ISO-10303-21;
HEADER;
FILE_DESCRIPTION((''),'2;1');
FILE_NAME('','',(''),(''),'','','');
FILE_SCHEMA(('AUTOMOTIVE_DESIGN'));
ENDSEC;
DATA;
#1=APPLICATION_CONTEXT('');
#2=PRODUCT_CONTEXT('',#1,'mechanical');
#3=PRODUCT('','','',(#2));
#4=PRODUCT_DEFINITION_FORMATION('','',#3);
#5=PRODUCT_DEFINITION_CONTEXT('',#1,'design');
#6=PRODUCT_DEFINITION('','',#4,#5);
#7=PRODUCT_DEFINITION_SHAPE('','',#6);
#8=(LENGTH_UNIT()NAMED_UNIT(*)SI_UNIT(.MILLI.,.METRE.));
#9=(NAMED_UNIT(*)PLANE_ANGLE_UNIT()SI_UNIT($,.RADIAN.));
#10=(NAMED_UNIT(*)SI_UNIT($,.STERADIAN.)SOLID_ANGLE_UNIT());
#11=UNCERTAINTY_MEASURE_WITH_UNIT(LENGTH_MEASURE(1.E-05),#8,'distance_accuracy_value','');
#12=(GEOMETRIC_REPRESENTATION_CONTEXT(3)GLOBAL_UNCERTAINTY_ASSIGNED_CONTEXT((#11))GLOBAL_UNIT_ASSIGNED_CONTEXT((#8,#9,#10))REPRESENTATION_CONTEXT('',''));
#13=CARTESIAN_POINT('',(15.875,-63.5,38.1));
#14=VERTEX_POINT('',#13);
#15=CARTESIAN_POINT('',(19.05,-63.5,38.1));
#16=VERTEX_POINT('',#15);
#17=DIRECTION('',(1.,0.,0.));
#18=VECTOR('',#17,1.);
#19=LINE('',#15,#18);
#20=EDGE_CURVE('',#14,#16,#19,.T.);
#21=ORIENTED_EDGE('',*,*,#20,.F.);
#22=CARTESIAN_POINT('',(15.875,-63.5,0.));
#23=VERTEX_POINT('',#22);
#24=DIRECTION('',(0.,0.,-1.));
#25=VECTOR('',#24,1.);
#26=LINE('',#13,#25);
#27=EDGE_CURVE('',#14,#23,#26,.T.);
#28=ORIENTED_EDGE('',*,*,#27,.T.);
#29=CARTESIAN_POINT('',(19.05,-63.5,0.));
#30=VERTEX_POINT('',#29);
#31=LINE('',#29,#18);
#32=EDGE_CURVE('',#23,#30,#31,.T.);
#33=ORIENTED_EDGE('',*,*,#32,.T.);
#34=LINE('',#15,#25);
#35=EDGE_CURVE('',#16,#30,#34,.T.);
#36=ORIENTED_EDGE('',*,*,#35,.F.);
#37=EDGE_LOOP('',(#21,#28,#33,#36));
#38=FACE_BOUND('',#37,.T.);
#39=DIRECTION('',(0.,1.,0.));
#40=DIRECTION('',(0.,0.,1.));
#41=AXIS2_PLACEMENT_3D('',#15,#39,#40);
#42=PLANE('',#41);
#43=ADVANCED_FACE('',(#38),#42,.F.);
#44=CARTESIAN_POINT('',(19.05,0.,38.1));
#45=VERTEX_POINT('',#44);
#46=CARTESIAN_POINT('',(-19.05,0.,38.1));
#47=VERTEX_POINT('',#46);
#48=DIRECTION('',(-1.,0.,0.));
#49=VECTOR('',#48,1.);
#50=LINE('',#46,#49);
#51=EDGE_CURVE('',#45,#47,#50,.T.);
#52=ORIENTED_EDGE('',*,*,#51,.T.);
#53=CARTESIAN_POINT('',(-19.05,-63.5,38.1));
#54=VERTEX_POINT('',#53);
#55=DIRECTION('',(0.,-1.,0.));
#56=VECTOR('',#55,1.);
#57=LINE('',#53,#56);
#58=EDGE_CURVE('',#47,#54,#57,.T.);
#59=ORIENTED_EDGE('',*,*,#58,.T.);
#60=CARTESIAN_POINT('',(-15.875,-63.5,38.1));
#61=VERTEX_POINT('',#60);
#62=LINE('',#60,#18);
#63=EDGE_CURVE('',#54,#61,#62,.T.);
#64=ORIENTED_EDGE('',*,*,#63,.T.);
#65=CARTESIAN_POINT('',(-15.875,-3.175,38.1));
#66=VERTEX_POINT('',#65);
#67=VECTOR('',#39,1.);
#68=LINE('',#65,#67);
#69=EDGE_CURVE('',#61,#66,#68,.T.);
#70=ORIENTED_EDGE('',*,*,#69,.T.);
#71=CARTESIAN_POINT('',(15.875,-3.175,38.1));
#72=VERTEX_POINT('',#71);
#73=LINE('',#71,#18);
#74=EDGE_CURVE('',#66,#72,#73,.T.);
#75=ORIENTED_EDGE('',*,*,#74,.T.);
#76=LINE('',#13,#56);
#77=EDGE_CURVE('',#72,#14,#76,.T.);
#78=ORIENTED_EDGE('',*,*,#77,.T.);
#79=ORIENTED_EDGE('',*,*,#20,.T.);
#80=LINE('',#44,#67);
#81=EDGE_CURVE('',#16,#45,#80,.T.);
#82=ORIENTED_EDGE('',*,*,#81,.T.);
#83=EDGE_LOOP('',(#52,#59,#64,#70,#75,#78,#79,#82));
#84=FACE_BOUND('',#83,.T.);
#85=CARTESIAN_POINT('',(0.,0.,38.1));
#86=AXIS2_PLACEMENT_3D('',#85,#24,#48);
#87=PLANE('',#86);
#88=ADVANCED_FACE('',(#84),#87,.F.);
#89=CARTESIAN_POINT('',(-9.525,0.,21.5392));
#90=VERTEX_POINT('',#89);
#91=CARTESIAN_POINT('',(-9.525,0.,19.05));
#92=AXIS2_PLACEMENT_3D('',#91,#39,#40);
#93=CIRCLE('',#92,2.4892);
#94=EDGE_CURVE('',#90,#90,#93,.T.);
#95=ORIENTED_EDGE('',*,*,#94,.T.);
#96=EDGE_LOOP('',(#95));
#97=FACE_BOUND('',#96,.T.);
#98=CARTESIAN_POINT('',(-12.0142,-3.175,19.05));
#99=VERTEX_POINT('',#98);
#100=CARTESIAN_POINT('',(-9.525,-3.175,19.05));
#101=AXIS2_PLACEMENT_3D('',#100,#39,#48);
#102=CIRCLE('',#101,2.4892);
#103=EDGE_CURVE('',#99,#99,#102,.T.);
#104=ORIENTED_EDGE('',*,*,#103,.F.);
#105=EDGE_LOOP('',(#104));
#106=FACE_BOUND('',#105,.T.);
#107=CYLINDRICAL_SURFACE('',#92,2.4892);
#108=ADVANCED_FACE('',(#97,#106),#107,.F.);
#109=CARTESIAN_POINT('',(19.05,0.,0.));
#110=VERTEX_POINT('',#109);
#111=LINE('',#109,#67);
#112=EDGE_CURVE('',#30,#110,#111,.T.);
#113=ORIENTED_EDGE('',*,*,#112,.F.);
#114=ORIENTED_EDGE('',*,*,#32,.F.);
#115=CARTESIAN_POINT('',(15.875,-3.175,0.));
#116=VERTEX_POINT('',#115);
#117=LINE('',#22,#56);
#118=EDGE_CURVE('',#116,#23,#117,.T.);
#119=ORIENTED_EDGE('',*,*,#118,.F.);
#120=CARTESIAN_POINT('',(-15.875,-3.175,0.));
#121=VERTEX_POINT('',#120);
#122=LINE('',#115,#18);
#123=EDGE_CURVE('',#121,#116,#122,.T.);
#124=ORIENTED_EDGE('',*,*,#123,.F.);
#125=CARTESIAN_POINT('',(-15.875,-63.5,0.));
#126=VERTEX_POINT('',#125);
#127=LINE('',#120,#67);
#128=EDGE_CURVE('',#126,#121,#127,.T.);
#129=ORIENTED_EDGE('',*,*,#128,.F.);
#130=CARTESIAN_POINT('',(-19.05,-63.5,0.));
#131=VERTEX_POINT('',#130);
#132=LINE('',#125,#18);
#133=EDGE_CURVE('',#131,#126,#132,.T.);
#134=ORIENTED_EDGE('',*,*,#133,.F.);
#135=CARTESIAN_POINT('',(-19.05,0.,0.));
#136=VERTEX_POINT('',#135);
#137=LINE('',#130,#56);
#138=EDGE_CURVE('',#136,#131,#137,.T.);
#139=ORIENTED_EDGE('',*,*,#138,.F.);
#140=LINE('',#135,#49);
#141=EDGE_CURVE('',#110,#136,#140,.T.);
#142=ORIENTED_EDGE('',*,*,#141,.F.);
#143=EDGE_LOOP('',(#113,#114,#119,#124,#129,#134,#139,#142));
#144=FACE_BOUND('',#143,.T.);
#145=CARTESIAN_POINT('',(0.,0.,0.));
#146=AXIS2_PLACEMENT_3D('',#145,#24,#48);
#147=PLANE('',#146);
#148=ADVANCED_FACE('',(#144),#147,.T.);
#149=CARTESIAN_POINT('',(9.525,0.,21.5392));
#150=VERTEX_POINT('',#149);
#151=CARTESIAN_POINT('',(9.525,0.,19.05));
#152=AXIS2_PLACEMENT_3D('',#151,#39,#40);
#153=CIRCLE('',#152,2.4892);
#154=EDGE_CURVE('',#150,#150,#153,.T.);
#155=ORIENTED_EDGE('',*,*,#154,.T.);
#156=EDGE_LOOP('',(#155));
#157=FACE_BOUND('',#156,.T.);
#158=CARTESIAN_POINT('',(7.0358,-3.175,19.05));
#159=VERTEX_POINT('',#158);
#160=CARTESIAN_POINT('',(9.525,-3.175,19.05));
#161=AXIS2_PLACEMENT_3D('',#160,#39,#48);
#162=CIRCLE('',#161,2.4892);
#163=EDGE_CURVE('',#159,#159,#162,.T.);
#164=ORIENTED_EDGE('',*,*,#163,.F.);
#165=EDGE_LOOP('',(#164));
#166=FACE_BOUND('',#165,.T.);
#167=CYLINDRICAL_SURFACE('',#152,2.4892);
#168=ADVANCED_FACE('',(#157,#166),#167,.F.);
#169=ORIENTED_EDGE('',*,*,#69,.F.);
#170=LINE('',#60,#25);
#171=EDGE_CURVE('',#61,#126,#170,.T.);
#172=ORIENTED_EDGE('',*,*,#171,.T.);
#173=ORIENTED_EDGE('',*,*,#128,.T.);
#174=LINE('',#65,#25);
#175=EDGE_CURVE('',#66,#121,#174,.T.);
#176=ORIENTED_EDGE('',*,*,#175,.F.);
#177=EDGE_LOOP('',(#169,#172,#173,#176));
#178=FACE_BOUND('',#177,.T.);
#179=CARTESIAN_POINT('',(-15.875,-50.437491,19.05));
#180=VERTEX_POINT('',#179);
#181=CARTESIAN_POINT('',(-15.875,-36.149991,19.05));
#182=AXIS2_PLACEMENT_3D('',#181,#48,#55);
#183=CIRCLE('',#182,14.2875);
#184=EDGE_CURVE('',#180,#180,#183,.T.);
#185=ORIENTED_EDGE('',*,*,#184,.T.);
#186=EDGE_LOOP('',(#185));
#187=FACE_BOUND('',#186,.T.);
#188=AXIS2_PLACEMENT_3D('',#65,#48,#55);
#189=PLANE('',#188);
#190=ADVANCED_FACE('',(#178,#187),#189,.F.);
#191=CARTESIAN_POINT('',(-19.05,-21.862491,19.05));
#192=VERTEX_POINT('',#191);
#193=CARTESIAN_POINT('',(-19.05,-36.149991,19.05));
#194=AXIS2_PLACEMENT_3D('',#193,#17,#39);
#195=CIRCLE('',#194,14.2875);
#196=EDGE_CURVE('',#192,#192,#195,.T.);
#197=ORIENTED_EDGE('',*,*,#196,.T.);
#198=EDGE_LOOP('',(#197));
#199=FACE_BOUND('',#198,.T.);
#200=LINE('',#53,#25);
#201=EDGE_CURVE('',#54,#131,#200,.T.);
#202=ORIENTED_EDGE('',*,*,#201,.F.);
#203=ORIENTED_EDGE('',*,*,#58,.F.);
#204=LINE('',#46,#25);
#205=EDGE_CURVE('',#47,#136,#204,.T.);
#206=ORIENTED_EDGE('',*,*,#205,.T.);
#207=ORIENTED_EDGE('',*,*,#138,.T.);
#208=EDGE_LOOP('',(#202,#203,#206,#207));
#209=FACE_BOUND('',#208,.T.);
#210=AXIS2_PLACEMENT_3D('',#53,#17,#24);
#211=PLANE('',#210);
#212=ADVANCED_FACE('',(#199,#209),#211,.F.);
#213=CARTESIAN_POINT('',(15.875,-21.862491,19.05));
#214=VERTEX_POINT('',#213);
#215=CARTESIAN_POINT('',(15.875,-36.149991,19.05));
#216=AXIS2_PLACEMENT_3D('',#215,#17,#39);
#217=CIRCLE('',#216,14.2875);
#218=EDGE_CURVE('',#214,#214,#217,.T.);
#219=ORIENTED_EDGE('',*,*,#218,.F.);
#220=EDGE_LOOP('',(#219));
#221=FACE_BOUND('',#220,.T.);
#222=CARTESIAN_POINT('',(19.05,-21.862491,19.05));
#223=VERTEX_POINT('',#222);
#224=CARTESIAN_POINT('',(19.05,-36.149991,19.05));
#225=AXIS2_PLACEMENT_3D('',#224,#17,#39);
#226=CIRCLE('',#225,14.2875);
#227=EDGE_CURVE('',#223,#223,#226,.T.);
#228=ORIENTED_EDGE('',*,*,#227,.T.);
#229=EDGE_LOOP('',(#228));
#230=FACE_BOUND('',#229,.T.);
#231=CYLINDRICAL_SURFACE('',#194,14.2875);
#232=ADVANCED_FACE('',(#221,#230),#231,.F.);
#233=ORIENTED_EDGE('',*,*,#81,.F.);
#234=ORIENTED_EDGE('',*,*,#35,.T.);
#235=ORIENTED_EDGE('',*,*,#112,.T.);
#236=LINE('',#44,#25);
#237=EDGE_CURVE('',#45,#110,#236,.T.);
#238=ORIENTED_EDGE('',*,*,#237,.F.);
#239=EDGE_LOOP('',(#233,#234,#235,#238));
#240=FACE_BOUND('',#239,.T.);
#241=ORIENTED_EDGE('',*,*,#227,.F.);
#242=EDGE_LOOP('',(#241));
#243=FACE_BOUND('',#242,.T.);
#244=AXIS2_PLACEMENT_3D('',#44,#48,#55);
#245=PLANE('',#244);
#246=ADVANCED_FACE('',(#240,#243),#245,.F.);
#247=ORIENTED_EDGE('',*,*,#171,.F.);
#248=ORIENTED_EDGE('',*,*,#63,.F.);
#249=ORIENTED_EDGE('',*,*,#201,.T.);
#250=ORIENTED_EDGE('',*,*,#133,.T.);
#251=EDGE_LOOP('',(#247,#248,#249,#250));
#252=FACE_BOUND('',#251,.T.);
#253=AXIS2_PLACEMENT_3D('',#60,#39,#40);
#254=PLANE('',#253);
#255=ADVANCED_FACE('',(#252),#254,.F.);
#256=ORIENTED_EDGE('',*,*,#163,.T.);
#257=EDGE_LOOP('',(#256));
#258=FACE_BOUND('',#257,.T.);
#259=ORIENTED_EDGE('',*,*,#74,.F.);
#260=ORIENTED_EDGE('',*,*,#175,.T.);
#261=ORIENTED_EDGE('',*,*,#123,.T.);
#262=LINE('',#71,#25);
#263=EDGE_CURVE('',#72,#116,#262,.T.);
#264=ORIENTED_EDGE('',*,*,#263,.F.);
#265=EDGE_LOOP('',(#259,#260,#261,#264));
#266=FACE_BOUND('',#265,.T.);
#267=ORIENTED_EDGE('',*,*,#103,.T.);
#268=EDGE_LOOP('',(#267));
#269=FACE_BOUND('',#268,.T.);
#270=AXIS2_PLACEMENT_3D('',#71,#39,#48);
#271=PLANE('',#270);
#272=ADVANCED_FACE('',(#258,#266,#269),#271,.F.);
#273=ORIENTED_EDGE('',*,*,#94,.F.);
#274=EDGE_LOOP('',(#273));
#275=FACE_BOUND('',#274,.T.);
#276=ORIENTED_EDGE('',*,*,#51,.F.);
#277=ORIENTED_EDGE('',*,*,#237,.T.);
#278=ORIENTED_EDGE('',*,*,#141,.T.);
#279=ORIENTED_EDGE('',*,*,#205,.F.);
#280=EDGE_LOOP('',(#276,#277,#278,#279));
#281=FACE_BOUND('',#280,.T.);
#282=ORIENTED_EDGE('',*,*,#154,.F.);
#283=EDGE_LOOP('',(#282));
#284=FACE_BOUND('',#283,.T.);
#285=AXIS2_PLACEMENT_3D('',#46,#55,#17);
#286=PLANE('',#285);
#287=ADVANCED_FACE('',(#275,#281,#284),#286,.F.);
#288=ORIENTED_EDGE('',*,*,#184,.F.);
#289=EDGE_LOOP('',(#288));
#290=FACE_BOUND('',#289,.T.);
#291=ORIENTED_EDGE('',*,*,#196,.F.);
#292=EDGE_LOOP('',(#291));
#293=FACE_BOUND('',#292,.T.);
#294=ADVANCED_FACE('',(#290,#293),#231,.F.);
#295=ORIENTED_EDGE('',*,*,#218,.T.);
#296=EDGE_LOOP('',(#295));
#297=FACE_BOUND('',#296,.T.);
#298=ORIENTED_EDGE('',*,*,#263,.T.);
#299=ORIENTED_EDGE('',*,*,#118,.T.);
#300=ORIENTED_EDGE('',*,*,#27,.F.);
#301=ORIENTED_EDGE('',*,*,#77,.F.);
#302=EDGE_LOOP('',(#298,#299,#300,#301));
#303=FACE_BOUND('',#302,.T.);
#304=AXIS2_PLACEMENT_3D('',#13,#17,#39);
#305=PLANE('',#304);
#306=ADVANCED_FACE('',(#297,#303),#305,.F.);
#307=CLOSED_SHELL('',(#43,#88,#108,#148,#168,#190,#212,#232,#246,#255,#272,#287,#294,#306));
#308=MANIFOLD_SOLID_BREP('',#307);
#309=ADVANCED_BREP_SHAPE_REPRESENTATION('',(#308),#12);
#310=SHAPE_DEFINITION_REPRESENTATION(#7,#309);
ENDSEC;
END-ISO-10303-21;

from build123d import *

# Parameters (mm, degrees)
BOSS_EXTRUDE1_DEPTH            = 38.1
SKETCH2_R                      = 14.2875
CUT_EXTRUDE1_DEPTH             = 39.1
F_9_0_196_DIAMETER_HOLE1_D     = 4.9784
F_9_0_196_DIAMETER_HOLE1_DEPTH = 3.175


with BuildPart() as part:
    # Sketch1 → Boss-Extrude1 (new body)
    with BuildSketch(Plane.XY):
        Polygon((-19.05, 0), (19.05, 0), (19.05, -63.5), (15.875, -63.5), (15.875, -3.175), (-15.875, -3.175), (-15.875, -63.5), (-19.05, -63.5), align=None)
    extrude(amount=BOSS_EXTRUDE1_DEPTH)

    # Sketch2 → Cut-Extrude1 (cut, through all)
    with BuildSketch(Plane(origin=(19.05, 0, 0), x_dir=(0, 0, -1), z_dir=(1, 0, 0))):
        with Locations((-19.05, -36.1499912)):
            Circle(SKETCH2_R)
    extrude(amount=-CUT_EXTRUDE1_DEPTH, mode=Mode.SUBTRACT)

    # #9 (0.196) Diameter Hole1
    with Locations(Plane(origin=(0, 0, 0), x_dir=(1, 0, 0), z_dir=(0, 1, 0))):
        with Locations((-9.525, -19.05), (9.525, -19.05)):
            Hole(F_9_0_196_DIAMETER_HOLE1_D / 2, depth=F_9_0_196_DIAMETER_HOLE1_DEPTH)


solid = part.part
